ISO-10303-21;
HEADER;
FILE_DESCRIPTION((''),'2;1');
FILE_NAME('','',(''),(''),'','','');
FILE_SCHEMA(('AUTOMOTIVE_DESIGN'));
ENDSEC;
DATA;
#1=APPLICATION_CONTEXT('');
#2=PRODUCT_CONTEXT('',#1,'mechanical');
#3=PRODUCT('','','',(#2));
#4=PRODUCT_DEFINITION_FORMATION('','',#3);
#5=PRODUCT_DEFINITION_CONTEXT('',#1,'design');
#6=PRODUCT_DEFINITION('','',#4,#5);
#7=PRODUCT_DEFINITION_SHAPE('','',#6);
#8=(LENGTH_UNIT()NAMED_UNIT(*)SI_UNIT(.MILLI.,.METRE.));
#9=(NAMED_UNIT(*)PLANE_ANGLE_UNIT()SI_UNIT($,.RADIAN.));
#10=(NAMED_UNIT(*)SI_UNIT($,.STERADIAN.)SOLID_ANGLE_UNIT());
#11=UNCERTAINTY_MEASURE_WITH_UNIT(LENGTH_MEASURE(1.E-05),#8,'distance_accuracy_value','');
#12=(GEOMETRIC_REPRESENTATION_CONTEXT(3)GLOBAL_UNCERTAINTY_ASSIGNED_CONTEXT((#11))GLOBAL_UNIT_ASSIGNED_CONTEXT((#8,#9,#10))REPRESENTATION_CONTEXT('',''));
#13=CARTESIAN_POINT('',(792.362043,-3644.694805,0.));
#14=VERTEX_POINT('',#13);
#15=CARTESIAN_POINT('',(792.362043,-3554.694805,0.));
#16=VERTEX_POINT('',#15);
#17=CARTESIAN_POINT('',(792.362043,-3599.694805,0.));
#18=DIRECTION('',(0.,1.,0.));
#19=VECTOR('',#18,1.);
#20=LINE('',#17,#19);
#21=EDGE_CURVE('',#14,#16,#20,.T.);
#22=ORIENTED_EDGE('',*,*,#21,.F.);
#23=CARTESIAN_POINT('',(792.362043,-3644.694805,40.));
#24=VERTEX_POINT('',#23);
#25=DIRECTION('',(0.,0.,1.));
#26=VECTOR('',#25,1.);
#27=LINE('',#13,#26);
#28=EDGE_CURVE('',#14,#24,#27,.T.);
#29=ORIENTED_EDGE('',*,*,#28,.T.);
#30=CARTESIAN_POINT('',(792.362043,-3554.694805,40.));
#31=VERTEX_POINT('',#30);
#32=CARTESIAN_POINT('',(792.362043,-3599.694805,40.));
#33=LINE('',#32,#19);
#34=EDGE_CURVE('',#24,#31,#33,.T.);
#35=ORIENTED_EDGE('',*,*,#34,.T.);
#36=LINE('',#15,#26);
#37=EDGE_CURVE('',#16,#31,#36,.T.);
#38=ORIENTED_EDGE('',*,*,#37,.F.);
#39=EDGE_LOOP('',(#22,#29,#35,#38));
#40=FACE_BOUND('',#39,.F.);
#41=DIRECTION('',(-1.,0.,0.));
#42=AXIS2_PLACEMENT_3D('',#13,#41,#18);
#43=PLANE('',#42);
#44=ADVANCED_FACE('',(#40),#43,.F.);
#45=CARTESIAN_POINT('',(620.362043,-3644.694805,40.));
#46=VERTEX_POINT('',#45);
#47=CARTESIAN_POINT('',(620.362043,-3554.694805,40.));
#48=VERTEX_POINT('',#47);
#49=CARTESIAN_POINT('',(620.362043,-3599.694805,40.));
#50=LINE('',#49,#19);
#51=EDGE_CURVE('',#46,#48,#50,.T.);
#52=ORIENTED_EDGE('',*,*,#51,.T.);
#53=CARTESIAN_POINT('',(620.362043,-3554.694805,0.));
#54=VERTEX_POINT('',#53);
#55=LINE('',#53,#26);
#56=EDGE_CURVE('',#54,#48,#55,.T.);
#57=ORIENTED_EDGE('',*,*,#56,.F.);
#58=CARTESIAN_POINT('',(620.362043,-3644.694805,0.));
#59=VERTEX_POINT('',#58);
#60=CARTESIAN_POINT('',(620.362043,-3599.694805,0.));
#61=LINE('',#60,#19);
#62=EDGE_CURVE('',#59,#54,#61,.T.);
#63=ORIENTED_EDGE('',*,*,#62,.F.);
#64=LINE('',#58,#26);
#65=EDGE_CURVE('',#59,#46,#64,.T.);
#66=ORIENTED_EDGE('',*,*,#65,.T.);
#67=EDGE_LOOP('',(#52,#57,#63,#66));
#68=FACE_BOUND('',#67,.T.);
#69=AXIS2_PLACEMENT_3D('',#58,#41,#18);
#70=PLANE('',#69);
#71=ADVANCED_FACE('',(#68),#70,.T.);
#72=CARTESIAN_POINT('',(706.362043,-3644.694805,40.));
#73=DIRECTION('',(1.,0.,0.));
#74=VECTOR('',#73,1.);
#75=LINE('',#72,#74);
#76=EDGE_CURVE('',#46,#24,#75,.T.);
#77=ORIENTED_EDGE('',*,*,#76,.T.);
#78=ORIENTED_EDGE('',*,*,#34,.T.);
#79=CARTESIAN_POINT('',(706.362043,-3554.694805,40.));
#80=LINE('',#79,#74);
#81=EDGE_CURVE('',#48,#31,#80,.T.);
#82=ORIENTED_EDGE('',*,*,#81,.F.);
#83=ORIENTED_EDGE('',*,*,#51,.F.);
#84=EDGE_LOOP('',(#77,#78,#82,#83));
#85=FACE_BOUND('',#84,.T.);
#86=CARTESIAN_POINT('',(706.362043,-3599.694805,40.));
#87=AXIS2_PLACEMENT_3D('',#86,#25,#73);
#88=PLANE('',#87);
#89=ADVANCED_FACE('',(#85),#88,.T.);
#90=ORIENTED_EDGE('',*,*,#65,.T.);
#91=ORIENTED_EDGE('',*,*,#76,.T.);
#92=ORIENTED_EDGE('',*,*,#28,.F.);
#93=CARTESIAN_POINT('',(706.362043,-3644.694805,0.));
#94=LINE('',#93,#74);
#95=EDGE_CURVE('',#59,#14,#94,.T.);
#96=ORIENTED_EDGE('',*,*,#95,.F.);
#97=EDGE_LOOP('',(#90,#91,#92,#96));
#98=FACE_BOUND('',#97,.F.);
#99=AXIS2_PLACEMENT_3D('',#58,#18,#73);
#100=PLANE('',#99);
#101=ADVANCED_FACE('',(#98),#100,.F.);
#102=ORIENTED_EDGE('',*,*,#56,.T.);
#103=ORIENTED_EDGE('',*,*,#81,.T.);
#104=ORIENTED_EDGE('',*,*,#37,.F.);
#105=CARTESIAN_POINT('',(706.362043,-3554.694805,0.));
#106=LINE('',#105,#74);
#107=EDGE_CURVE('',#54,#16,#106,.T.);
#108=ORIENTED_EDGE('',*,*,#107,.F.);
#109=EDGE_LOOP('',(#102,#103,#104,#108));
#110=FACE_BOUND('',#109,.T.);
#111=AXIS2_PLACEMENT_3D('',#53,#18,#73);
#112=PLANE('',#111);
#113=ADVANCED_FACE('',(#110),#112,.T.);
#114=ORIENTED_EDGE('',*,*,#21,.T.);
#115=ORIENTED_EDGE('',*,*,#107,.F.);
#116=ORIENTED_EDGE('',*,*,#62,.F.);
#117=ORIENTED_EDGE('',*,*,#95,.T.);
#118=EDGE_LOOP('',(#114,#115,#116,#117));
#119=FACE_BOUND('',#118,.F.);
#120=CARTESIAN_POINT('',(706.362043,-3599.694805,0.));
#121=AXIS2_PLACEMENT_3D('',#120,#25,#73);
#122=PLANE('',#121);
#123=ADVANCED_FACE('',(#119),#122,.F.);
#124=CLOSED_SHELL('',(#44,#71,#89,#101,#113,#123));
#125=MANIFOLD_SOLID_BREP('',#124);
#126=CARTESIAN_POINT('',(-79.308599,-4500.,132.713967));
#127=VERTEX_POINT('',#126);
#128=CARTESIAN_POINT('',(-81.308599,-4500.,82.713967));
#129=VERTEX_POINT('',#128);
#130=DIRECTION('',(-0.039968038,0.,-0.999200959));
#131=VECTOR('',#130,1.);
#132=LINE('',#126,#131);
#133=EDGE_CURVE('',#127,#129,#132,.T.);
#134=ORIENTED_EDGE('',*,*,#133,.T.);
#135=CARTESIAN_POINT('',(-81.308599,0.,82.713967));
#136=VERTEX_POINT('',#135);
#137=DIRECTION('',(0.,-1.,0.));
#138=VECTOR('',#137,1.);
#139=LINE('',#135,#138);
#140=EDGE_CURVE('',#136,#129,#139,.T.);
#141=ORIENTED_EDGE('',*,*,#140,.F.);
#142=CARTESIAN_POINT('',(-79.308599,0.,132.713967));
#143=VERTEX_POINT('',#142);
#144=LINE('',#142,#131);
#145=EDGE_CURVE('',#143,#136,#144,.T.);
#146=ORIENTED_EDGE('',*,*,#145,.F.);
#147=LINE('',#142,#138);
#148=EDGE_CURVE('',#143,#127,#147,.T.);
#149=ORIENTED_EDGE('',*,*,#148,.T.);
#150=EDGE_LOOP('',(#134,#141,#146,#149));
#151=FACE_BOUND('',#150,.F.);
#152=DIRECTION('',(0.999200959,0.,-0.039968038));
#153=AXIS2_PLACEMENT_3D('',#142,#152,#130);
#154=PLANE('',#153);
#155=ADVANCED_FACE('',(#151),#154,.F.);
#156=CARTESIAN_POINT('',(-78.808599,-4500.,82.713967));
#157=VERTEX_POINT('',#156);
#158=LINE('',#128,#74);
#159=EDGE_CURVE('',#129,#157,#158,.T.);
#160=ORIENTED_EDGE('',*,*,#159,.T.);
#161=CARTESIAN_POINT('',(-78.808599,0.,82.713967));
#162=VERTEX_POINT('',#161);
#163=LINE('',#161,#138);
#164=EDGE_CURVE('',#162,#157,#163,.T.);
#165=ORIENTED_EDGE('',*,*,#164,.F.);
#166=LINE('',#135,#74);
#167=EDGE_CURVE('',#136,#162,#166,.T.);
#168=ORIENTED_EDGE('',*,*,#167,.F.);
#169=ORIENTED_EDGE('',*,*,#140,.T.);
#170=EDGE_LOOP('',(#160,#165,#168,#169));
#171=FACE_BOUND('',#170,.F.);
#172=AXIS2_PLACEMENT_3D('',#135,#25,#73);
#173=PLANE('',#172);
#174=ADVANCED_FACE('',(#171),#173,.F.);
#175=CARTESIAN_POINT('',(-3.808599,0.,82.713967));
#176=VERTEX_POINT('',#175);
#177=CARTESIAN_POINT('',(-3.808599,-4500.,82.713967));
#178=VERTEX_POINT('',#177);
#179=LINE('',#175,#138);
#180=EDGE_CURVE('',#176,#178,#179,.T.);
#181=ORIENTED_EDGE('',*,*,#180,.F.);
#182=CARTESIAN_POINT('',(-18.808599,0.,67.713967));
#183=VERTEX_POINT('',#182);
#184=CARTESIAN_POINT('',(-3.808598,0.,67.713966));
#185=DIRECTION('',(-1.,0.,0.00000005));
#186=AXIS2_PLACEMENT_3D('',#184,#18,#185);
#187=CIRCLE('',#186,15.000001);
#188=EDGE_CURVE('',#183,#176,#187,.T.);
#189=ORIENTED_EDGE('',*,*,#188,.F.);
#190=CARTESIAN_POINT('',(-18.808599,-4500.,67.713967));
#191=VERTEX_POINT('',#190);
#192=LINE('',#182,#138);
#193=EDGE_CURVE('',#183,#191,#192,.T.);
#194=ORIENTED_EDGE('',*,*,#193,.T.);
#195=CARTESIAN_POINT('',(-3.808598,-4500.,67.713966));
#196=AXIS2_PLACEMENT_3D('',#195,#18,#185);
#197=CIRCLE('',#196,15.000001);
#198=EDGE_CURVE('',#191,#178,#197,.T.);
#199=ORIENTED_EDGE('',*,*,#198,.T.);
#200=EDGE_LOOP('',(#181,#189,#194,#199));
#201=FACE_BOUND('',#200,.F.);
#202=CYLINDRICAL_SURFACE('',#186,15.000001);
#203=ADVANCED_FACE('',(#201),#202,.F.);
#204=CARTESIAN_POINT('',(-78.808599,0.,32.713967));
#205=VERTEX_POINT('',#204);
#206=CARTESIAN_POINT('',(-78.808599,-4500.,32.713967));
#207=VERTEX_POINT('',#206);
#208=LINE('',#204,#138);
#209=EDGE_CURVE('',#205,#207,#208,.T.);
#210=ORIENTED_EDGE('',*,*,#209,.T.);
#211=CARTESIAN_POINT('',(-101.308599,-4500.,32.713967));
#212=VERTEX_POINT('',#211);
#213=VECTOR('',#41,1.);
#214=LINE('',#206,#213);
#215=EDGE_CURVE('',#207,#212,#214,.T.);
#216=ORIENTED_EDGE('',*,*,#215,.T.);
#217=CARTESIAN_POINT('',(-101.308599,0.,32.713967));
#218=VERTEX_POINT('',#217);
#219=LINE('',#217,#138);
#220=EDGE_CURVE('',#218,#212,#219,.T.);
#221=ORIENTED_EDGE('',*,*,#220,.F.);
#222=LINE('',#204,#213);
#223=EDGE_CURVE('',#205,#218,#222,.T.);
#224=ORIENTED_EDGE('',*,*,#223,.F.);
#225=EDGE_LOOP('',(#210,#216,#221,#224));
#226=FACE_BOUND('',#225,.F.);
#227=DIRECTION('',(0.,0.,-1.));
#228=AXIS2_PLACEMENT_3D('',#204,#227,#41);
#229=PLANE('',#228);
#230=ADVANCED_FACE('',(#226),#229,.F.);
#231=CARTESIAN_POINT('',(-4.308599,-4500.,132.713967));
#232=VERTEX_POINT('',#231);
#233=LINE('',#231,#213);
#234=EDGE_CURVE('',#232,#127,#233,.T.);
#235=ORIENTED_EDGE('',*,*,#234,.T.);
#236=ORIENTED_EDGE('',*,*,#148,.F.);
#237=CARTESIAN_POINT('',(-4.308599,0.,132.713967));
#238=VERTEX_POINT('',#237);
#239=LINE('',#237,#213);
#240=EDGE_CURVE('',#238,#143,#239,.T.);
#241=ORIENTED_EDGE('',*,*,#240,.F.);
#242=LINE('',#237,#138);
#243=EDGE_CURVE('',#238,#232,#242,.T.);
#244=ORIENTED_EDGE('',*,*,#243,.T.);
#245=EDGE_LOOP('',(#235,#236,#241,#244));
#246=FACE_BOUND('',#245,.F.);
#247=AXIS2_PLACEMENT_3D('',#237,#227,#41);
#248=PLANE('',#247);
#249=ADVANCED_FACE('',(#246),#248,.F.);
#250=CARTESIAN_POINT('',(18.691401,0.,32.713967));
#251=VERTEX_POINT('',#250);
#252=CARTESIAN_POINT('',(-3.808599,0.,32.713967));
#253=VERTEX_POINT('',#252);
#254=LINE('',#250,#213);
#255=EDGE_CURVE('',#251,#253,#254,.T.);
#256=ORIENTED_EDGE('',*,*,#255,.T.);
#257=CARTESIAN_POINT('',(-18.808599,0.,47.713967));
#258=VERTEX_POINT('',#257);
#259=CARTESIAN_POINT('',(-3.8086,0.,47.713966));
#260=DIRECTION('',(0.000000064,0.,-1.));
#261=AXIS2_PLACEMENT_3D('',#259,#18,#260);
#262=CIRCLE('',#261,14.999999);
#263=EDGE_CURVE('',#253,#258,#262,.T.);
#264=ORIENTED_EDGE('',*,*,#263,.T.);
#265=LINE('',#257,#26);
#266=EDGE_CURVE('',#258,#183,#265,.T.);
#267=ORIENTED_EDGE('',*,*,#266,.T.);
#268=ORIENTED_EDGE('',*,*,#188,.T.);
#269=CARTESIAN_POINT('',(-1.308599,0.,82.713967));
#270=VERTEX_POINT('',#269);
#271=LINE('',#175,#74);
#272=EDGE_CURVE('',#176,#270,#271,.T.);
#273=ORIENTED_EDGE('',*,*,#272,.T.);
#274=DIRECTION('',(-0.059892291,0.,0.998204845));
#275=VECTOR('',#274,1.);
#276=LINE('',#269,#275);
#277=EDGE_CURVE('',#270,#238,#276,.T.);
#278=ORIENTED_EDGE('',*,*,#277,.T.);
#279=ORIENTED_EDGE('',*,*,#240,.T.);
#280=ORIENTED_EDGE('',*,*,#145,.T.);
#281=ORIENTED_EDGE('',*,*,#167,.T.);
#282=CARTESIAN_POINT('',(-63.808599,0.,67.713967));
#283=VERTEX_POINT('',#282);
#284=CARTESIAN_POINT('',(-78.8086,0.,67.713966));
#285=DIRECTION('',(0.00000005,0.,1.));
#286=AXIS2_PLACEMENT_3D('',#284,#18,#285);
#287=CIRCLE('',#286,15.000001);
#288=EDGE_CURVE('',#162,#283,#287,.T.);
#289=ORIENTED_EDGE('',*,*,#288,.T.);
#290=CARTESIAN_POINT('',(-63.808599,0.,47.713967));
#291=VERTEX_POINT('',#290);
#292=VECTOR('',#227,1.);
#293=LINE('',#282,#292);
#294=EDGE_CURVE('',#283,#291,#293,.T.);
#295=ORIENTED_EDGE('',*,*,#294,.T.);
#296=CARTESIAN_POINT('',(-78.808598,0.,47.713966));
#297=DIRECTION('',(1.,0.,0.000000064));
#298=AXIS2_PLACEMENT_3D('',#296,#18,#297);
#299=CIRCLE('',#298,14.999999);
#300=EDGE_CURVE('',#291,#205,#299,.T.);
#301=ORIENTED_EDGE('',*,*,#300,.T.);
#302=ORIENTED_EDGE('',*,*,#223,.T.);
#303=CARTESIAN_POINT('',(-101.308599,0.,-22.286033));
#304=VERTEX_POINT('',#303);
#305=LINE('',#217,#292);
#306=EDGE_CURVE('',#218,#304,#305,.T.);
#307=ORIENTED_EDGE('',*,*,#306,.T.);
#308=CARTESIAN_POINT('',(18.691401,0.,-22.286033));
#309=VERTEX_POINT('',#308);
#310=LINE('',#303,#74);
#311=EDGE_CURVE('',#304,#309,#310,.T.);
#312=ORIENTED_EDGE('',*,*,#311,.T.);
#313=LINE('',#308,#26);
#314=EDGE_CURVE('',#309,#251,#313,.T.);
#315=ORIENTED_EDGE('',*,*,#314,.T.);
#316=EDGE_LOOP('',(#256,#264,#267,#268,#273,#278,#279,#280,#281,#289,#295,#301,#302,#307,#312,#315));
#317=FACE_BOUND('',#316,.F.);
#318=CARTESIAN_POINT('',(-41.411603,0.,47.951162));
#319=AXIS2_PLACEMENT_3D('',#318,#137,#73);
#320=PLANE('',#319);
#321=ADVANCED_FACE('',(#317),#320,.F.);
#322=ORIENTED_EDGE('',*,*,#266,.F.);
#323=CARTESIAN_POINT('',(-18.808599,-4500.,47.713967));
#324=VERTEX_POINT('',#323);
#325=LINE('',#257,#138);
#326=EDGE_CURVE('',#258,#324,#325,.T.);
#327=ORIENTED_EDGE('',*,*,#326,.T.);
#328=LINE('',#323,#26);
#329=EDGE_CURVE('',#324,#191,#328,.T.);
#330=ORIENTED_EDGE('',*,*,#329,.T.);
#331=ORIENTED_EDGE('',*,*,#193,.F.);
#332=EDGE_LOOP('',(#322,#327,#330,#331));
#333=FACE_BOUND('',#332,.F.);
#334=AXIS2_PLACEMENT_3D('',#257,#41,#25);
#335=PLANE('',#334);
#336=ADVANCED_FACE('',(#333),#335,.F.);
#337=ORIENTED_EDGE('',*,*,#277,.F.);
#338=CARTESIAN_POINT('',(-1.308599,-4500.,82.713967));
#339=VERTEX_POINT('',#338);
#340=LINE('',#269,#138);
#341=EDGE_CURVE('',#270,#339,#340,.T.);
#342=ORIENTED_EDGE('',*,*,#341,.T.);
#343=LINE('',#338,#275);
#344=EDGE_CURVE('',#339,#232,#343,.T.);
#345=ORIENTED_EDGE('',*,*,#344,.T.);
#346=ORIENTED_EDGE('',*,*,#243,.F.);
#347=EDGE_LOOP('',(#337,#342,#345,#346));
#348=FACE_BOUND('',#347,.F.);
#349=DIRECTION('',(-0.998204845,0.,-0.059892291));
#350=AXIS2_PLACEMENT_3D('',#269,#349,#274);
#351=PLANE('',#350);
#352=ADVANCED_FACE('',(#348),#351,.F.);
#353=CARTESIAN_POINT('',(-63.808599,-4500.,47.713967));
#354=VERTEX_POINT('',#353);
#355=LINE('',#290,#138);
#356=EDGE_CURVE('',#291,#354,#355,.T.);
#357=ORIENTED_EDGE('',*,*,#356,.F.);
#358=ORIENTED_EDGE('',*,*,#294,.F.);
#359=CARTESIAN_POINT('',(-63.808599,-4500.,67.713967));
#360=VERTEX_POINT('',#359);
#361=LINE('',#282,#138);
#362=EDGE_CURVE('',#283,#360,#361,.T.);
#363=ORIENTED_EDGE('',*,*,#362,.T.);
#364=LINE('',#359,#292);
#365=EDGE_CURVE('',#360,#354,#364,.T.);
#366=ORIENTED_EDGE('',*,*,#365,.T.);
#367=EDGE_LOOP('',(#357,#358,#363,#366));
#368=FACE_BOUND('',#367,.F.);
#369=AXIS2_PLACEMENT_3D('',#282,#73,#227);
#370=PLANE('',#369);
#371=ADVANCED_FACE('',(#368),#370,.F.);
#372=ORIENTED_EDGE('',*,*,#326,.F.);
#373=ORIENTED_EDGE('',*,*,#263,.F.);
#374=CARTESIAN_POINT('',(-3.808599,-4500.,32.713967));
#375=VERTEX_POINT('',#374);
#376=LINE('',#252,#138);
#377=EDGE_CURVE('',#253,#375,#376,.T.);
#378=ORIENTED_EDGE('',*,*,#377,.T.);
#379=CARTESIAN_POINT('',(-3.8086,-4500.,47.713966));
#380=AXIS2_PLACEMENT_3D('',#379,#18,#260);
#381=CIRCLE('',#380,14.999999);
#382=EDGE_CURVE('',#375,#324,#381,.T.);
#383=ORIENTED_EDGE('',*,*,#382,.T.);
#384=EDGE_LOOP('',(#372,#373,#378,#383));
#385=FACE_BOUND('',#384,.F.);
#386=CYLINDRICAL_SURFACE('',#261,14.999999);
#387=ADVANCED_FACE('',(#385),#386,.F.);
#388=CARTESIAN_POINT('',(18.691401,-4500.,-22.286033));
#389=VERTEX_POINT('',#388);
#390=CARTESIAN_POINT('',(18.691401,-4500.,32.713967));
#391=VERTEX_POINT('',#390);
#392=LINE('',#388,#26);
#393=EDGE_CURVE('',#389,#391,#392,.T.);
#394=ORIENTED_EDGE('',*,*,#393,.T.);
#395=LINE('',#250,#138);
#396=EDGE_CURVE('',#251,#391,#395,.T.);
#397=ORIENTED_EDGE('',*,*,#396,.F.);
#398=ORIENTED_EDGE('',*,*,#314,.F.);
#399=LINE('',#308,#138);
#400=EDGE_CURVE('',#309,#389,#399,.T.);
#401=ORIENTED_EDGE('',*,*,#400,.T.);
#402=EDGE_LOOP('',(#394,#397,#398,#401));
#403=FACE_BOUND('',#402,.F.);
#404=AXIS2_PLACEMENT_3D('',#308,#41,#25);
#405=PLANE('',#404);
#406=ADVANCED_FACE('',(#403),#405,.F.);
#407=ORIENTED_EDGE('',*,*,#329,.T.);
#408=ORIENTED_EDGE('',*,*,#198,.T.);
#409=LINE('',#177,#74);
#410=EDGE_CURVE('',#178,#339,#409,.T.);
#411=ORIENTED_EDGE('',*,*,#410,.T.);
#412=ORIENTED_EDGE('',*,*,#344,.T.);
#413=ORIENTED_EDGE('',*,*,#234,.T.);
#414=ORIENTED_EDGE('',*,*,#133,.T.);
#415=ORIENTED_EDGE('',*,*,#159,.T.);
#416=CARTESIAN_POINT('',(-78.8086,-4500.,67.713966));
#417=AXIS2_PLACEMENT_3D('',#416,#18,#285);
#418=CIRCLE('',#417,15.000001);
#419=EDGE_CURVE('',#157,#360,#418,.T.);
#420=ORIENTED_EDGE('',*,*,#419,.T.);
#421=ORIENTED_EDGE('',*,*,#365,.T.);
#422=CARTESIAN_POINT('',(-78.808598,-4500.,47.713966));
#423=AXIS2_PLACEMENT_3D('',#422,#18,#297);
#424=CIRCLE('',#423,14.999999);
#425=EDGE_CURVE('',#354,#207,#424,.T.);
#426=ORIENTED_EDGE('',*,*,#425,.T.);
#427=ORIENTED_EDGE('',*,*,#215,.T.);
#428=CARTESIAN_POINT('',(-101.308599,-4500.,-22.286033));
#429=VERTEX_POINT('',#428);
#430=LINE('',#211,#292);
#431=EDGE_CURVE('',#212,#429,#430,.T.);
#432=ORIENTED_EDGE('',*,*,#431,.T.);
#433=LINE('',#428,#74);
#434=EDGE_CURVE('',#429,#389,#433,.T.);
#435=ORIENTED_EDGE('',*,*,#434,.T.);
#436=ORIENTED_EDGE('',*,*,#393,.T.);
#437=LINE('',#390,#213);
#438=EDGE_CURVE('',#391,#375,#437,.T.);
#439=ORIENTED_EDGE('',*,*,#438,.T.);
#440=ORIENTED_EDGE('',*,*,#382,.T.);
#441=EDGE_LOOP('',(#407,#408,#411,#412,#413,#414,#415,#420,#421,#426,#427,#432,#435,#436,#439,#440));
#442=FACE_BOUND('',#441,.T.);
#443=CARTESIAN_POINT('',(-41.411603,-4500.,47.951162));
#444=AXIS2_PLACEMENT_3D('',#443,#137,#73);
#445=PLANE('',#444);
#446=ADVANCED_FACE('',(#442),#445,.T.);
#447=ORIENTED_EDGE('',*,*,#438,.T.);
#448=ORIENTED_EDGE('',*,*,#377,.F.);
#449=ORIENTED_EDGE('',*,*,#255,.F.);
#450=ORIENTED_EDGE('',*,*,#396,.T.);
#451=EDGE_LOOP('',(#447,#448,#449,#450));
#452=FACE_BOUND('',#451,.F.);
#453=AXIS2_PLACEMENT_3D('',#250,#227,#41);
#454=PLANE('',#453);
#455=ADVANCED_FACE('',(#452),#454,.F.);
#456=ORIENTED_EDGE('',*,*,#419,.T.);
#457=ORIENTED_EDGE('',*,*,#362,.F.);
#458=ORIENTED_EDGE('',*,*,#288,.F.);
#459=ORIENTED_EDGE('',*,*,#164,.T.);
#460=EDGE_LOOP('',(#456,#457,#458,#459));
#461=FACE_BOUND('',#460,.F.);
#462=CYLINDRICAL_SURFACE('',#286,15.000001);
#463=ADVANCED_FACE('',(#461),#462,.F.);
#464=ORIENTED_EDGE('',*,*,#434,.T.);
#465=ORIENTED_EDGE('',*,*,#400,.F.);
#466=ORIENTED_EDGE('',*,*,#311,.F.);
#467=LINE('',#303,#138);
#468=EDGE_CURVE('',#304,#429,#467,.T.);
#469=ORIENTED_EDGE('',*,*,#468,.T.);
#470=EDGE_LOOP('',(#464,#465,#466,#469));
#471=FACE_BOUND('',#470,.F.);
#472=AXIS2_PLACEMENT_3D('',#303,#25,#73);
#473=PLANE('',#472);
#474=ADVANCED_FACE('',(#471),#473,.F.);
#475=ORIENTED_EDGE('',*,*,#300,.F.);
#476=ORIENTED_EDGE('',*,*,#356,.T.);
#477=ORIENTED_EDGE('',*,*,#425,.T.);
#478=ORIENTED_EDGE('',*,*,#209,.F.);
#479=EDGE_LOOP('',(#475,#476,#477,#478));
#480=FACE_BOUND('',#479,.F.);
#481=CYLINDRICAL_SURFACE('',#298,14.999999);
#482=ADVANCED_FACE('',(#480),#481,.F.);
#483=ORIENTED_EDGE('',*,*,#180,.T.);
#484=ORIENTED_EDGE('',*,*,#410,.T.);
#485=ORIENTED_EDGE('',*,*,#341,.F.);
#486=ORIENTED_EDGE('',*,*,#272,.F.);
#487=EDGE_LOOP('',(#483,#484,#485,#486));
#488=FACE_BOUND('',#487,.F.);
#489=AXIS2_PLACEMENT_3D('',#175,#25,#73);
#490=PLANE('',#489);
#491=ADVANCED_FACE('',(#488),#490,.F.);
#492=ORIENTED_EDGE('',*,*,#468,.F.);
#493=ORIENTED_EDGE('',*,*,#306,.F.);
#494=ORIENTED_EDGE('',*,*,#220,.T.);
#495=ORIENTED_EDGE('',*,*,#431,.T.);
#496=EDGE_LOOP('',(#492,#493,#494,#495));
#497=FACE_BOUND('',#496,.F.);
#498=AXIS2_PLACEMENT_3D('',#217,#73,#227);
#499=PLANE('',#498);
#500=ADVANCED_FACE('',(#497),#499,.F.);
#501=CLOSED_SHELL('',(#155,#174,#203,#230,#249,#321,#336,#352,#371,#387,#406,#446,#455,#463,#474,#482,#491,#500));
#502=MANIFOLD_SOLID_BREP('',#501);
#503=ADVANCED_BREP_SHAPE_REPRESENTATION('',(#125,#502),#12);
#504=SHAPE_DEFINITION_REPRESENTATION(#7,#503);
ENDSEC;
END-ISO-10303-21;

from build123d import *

# Parameters (mm, degrees)
F1_DEPTH = 4500
F2_W     = 172
F2_H     = 90
F3_DEPTH = 40


with BuildPart() as f1:
    # F0 (on Front) → F1 (new body)
    with BuildSketch(Plane.XZ):
        with BuildLine():
            Line((-4.308599, 132.713967), (-79.308599, 132.713967))
            Line((-79.308599, 132.713967), (-81.308599, 82.713967))
            Line((-81.308599, 82.713967), (-78.808599, 82.713967))
            ThreePointArc((-78.808599, 82.713967), (-68.201997, 78.320568), (-63.808599, 67.713967))
            Line((-63.808599, 67.713967), (-63.808599, 47.713967))
            ThreePointArc((-63.808599, 47.713967), (-68.201997, 37.107365), (-78.808599, 32.713967))
            Line((-78.808599, 32.713967), (-101.308599, 32.713967))
            Line((-101.308599, 32.713967), (-101.308599, -22.286033))
            Line((-101.308599, -22.286033), (18.691401, -22.286033))
            Line((18.691401, -22.286033), (18.691401, 32.713967))
            Line((18.691401, 32.713967), (-3.808599, 32.713967))
            ThreePointArc((-3.808599, 32.713967), (-14.415201, 37.107365), (-18.808599, 47.713967))
            Line((-18.808599, 47.713967), (-18.808599, 67.713967))
            ThreePointArc((-18.808599, 67.713967), (-14.415201, 78.320568), (-3.808599, 82.713967))
            Line((-3.808599, 82.713967), (-1.308599, 82.713967))
            Line((-1.308599, 82.713967), (-4.308599, 132.713967))
        make_face()
    extrude(amount=F1_DEPTH)


with BuildPart() as f3:
    # F2 (on Top) → F3 (new body)
    with BuildSketch(Plane.XY):
        with Locations((706.362043, -3599.694805)):
            Rectangle(F2_W, F2_H)
    extrude(amount=F3_DEPTH)


solid = Compound([f1.part, f3.part])
